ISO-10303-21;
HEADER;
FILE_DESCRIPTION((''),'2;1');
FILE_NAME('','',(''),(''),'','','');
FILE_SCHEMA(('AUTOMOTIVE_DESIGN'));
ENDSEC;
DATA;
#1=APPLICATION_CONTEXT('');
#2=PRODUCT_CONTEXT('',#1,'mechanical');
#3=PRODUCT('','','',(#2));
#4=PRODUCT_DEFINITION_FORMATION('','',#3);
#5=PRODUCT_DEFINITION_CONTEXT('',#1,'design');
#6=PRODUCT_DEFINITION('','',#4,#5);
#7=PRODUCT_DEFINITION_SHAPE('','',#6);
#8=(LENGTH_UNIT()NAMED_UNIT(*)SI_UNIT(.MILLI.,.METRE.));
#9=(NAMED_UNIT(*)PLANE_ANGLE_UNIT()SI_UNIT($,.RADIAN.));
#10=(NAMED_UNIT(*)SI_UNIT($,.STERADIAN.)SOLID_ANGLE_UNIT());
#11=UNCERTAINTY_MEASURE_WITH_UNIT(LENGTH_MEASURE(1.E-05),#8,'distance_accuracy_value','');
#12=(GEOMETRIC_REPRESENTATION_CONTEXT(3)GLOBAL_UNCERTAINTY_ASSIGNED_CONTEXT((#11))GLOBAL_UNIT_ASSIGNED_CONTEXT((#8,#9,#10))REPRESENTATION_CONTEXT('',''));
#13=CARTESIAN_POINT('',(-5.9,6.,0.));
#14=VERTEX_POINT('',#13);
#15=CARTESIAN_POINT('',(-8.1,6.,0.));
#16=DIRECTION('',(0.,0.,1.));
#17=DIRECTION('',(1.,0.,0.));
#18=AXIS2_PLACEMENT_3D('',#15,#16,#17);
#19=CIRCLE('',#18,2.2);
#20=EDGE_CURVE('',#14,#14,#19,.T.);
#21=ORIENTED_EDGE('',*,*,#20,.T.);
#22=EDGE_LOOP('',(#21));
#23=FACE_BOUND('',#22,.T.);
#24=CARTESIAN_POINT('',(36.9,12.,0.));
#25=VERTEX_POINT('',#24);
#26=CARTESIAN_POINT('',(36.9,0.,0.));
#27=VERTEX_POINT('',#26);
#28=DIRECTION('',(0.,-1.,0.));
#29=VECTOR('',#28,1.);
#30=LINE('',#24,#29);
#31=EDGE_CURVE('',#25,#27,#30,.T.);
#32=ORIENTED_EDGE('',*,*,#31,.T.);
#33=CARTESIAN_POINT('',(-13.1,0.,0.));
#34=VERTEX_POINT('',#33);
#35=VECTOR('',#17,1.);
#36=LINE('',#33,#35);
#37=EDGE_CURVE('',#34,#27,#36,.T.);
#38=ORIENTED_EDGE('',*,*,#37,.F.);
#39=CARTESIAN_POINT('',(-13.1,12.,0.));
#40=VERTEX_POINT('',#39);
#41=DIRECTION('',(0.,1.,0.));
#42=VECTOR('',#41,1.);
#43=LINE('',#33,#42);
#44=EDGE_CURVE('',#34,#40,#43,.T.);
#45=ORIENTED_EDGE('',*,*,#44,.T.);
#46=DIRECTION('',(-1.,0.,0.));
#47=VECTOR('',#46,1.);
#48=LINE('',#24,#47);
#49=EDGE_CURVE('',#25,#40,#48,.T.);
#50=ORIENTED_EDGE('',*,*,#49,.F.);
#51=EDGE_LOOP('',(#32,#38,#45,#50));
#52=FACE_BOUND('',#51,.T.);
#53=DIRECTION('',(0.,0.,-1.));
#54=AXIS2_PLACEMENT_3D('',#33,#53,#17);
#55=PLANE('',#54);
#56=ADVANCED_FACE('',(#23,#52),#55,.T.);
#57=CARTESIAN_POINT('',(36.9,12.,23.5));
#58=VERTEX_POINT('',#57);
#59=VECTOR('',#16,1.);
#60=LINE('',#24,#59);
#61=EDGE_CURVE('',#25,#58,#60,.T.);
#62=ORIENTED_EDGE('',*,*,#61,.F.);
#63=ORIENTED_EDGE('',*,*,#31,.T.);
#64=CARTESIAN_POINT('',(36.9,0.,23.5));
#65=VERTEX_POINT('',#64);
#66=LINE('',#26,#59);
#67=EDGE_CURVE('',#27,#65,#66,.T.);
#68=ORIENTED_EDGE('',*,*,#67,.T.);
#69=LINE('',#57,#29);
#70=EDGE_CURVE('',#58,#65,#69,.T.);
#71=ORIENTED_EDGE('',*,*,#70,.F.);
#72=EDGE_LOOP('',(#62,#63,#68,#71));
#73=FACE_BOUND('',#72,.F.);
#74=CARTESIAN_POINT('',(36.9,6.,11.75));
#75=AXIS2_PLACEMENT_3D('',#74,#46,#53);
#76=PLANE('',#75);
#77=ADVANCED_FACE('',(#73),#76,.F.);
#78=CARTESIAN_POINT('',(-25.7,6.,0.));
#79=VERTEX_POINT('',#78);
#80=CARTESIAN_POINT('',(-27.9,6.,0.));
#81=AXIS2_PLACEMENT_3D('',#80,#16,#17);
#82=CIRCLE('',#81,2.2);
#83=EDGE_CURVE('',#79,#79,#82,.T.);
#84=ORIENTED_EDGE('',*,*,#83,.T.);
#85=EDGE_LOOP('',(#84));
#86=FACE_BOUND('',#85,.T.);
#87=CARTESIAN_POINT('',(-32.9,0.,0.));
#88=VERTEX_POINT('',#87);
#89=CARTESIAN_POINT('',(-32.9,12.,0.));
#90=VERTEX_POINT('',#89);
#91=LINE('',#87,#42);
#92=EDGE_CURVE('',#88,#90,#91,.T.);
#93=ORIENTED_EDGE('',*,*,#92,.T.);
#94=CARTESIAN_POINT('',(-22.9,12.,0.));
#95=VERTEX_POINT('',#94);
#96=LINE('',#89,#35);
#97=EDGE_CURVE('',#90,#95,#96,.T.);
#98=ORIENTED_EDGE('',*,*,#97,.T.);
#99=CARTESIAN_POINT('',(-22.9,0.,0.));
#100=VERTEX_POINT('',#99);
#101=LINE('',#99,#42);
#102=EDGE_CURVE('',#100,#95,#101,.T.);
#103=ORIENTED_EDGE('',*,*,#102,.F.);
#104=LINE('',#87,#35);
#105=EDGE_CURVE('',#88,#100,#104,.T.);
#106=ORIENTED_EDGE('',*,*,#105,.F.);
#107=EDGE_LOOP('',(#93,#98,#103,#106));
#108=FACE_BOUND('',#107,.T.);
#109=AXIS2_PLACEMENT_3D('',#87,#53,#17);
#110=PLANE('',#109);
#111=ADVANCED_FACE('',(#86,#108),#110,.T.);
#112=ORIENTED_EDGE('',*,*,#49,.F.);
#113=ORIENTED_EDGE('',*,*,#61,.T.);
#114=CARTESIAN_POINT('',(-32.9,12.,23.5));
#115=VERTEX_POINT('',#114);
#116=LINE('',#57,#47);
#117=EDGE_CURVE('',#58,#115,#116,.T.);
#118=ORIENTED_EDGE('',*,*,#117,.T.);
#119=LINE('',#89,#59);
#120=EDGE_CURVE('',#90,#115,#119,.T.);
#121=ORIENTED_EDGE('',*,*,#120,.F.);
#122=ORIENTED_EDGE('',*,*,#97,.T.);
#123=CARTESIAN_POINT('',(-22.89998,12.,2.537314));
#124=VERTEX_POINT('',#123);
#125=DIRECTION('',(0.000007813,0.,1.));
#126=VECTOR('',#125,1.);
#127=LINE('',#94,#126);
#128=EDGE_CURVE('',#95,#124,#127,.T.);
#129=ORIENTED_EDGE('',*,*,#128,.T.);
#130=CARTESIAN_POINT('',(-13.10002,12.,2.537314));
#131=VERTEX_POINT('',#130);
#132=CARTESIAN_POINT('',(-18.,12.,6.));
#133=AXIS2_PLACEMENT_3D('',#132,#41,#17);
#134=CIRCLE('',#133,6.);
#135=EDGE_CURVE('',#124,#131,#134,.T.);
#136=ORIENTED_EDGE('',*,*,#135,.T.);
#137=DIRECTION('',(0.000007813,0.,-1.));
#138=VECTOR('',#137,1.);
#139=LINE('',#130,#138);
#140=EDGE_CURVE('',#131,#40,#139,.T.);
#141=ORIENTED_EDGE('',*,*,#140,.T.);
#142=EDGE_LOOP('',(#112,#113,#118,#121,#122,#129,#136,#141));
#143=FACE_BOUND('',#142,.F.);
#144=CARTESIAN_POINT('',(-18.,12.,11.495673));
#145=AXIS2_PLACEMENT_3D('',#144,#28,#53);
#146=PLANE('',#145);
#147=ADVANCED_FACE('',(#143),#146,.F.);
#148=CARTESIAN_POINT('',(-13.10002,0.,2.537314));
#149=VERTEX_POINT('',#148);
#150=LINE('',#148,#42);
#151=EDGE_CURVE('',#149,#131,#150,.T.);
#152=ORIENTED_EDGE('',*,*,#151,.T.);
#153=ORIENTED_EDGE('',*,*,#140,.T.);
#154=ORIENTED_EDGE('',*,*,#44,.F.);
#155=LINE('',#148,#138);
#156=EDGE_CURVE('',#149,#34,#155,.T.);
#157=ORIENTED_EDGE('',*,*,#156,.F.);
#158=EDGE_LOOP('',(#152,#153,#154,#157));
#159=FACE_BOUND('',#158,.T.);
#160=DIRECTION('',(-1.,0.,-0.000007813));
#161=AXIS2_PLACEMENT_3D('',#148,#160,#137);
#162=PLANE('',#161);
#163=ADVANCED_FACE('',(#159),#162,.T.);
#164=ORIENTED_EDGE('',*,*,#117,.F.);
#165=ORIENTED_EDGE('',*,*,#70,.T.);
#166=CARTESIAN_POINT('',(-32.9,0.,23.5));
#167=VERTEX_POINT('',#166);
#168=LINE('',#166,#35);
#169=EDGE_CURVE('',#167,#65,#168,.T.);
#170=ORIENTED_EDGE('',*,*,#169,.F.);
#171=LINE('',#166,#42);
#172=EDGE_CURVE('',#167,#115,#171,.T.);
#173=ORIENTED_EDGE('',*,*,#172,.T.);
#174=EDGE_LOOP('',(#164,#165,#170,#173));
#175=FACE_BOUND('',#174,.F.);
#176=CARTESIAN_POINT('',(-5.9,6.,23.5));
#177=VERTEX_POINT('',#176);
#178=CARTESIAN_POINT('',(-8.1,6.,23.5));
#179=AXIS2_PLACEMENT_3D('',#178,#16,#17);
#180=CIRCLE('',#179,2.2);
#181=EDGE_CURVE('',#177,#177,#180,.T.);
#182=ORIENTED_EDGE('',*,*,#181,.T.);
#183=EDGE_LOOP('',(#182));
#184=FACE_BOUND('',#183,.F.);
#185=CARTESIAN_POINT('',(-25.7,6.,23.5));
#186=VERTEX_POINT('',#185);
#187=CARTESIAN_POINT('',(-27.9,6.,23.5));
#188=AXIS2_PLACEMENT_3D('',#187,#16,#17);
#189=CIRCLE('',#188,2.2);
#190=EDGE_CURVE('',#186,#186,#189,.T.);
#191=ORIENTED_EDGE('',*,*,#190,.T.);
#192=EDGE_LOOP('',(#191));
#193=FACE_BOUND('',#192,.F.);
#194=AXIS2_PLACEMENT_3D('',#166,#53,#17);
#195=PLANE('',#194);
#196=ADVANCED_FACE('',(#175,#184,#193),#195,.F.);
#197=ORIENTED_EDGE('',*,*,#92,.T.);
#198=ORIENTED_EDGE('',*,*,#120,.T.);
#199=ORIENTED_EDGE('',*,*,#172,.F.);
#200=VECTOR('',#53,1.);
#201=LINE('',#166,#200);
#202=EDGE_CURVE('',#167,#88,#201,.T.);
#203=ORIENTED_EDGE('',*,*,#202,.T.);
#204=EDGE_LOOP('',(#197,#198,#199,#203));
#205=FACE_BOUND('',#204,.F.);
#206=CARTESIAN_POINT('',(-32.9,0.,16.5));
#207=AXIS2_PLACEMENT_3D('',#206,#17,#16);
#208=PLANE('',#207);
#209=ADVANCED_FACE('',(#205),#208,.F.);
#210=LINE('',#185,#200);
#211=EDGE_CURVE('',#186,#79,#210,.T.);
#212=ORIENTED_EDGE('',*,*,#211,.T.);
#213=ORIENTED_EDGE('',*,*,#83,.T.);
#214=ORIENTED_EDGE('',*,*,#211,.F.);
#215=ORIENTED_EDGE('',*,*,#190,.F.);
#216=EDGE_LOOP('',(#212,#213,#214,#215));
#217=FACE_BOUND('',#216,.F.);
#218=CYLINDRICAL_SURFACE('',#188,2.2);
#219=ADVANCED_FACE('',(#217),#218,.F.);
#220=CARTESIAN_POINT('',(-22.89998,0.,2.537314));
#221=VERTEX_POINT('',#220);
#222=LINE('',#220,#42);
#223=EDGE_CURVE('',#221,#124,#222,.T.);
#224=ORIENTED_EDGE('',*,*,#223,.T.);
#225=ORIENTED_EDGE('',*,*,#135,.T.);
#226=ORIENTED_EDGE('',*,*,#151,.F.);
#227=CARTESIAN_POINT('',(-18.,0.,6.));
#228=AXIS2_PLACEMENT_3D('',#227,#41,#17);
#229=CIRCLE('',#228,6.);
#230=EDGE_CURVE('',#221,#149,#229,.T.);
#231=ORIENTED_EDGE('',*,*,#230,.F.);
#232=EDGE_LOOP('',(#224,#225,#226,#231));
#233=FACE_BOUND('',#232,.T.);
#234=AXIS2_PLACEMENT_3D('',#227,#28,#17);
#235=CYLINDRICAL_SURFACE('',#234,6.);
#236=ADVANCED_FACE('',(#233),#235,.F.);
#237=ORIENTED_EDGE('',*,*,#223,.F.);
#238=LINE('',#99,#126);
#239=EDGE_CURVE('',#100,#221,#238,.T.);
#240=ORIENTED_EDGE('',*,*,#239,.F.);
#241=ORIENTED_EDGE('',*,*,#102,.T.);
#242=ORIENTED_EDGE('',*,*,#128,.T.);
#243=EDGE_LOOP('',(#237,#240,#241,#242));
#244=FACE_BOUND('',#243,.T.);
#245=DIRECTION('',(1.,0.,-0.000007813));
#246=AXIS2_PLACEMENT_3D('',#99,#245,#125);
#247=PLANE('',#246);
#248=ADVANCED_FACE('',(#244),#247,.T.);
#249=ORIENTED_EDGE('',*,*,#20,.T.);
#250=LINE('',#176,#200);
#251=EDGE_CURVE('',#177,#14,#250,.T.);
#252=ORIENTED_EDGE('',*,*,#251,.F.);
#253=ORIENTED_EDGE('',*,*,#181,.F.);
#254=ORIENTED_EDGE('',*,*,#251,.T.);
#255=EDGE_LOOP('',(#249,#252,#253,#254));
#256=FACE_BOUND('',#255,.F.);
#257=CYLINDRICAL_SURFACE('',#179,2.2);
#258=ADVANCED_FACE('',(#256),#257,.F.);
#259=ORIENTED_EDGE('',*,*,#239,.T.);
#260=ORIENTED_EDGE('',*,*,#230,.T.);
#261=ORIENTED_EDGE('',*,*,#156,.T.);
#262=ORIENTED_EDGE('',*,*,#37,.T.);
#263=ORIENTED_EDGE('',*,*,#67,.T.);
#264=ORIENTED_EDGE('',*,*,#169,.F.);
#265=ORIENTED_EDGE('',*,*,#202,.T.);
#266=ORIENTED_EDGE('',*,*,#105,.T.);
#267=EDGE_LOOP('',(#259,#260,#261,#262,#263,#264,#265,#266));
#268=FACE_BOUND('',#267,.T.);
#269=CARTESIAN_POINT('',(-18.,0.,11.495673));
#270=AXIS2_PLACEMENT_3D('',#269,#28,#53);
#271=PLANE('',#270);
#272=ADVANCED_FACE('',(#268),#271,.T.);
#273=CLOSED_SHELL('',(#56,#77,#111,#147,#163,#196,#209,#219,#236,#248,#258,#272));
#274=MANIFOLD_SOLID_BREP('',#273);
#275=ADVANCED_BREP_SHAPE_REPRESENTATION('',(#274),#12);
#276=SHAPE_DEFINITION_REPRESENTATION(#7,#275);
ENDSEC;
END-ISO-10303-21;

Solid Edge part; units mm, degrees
sketch "Sketch1" plane through (0, 0, 0) normal (0, -1, 0) x (1, 0, 0)
  line L0 (-3.1, 16.5) -> (-3.1, 23.5)
  line L1 (-32.9, 23.5) -> (-3.1, 23.5)
  line L2 (-32.9, 16.5) -> (-32.9, 23.5)
  line L3 (-32.9, 0) -> (-32.9, 16.5)
  line L4 (-32.9, 0) -> (-22.9, 0)
  line L5 (-22.9, 0) -> (-22.9, 2.5373)
  line L6 (-13.1, 2.5373) -> (-13.1, 0)
  line L7 (-13.1, 0) -> (-3.1, 0)
  line L8 (-3.1, 16.5) -> (-3.1, 0)
  arc A0 (-22.9, 2.5373) -> (-13.1, 2.5373) centre (-18, 6) cw
extrude "Protrusion1" add sketch "Sketch1" against normal blind 12
sketch "Sketch2" plane through (-18, 6, 23.5) normal (0, 0, 1) x (1, 0, 0)
  circle A0 centre (9.9, 0) radius 2.2
  circle A1 centre (-9.9, 0) radius 2.2
  dimension "D1" = 19.8
extrude "Cutout1" cut sketch "Sketch2" against normal through all
sketch "Sketch3" plane through (-3.1, 6, 11.75) normal (1, 0, 0) x (0, 1, 0)
  line L0 (-6, -11.75) -> (-6, 11.75)
  line L1 (6, 11.75) -> (-6, 11.75)
  line L2 (6, -11.75) -> (6, 11.75)
  line L3 (6, -11.75) -> (-6, -11.75)
extrude "ExtrudedProtrusion_2" add sketch "Sketch3" along normal blind 40
